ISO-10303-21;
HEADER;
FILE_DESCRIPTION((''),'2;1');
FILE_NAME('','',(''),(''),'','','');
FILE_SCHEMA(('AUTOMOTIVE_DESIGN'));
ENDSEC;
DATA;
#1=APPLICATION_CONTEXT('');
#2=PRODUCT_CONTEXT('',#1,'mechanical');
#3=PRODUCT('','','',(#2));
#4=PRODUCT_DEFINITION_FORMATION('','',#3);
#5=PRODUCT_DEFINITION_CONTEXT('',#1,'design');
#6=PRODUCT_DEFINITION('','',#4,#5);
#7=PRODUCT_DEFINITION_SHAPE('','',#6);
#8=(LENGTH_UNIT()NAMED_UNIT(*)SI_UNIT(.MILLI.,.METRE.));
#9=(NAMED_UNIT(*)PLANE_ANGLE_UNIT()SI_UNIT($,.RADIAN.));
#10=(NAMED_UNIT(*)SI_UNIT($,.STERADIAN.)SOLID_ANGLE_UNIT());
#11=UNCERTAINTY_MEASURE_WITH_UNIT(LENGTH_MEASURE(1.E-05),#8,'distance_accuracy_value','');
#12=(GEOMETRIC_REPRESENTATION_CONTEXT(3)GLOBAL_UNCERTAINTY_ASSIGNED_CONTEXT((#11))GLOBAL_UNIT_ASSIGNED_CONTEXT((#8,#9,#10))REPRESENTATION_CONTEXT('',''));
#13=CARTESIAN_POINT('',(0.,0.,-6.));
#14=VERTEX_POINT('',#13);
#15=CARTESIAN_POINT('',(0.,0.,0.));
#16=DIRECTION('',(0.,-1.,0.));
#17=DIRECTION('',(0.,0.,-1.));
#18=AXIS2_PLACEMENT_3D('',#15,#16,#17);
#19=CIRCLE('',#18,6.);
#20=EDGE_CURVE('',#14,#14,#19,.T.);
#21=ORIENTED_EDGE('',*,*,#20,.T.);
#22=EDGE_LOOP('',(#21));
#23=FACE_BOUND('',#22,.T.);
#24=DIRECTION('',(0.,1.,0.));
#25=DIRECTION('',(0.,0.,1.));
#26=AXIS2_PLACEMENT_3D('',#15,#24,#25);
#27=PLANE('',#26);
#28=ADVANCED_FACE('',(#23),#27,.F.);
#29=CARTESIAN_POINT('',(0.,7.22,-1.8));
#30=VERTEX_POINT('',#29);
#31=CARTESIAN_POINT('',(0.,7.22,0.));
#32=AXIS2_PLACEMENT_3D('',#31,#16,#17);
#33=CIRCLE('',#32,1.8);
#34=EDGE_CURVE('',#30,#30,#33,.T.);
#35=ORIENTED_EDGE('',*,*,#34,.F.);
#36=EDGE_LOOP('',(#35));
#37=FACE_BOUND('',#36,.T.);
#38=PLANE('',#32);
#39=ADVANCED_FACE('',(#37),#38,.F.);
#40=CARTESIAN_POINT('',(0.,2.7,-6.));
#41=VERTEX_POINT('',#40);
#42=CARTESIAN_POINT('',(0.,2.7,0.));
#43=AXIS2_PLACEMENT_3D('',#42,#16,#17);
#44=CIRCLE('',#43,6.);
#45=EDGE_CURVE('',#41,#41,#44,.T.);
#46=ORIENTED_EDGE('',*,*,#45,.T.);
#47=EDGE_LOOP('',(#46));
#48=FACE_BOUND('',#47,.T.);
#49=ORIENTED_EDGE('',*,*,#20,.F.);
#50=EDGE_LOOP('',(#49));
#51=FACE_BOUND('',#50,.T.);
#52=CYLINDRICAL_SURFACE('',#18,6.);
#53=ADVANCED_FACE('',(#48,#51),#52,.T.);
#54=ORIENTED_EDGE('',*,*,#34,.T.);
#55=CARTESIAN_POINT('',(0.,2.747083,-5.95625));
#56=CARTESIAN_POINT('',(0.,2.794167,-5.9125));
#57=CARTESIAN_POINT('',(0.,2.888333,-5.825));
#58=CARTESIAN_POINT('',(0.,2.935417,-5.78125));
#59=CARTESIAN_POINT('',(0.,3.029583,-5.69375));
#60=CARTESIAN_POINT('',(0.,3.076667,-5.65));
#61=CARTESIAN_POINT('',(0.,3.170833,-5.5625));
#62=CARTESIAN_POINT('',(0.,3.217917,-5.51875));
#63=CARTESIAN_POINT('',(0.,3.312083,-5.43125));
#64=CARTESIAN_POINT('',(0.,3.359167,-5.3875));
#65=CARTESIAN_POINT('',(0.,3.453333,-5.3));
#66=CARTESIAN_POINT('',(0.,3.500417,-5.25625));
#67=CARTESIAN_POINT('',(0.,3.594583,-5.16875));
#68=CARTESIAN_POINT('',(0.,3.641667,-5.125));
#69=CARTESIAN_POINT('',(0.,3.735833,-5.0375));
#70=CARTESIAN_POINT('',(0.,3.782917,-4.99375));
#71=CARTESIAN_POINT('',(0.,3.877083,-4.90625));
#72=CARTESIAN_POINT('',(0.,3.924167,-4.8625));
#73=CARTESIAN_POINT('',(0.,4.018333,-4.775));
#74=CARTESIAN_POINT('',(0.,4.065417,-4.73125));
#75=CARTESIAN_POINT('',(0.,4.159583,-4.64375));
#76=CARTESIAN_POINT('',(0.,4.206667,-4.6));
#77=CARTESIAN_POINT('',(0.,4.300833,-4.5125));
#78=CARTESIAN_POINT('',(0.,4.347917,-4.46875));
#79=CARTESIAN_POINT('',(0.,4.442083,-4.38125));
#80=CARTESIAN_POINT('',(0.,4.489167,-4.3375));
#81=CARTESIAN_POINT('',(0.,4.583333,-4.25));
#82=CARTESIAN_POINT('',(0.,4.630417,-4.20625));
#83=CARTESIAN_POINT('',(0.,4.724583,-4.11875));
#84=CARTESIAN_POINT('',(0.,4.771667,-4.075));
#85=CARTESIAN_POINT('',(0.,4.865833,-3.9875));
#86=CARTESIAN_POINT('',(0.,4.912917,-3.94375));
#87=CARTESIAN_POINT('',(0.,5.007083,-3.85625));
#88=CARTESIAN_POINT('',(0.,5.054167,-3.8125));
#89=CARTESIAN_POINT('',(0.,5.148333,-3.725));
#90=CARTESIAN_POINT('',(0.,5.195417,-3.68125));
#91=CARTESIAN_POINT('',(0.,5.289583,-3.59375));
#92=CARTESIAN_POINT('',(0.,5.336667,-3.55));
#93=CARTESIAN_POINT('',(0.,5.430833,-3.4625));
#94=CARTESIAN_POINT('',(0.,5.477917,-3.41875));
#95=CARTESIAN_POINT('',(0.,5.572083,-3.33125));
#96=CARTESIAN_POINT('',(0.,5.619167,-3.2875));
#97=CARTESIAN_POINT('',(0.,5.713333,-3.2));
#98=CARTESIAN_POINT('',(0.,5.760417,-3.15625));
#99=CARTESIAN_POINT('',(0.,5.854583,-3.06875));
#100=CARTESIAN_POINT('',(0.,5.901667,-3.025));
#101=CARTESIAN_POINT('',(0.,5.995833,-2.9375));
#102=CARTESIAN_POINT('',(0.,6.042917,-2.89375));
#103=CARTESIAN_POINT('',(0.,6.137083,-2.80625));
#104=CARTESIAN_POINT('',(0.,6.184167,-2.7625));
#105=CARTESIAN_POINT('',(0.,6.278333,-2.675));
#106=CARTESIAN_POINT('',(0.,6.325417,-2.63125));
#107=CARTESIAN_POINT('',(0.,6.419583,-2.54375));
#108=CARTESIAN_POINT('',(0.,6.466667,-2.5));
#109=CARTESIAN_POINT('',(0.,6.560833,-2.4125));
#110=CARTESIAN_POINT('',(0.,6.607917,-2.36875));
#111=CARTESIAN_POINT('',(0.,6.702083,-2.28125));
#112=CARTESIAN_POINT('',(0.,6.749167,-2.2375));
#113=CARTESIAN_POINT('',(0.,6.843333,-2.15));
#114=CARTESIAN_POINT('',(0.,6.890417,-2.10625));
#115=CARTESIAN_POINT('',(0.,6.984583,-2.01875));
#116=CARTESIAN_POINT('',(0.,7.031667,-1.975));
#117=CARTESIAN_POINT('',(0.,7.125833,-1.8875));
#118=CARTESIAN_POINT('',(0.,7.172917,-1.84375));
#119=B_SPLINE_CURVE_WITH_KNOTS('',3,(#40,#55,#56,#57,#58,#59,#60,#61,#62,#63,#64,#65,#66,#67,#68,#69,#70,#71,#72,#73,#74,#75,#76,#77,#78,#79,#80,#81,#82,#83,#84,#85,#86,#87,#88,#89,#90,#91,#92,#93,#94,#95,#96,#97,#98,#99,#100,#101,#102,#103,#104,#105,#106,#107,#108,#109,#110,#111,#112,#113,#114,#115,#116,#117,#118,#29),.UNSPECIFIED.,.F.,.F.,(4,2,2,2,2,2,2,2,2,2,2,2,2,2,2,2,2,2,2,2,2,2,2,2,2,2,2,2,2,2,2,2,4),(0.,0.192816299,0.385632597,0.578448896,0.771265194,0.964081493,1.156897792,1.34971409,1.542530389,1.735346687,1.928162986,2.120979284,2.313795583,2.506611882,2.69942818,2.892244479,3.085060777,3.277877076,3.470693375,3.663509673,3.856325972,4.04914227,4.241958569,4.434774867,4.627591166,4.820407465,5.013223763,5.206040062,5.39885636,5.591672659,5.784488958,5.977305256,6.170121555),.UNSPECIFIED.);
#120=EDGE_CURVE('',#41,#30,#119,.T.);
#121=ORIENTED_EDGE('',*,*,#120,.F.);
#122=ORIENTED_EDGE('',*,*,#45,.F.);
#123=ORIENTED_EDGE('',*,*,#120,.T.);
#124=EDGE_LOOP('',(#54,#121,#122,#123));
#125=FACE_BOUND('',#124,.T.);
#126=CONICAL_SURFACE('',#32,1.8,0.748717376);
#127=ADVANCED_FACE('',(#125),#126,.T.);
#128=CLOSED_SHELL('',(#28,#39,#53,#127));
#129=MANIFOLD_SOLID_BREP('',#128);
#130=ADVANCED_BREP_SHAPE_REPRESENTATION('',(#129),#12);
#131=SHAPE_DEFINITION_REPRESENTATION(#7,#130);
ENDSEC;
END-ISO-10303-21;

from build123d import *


with BuildPart() as part:
    # Sketch1 → Revolve1 (revolve)
    with BuildSketch(Plane.XY, mode=Mode.PRIVATE) as revolve1_sk:
        Polygon((-6, 2.7), (-6, 0), (0, 0), (0, 7.22), (-1.8, 7.22), align=None)
    revolve(revolve1_sk.sketch.rotate(Axis((0, 0, 0), (0, 1, 0)), 270), axis=Axis((0, 0, 0), (0, 1, 0)))


solid = part.part
